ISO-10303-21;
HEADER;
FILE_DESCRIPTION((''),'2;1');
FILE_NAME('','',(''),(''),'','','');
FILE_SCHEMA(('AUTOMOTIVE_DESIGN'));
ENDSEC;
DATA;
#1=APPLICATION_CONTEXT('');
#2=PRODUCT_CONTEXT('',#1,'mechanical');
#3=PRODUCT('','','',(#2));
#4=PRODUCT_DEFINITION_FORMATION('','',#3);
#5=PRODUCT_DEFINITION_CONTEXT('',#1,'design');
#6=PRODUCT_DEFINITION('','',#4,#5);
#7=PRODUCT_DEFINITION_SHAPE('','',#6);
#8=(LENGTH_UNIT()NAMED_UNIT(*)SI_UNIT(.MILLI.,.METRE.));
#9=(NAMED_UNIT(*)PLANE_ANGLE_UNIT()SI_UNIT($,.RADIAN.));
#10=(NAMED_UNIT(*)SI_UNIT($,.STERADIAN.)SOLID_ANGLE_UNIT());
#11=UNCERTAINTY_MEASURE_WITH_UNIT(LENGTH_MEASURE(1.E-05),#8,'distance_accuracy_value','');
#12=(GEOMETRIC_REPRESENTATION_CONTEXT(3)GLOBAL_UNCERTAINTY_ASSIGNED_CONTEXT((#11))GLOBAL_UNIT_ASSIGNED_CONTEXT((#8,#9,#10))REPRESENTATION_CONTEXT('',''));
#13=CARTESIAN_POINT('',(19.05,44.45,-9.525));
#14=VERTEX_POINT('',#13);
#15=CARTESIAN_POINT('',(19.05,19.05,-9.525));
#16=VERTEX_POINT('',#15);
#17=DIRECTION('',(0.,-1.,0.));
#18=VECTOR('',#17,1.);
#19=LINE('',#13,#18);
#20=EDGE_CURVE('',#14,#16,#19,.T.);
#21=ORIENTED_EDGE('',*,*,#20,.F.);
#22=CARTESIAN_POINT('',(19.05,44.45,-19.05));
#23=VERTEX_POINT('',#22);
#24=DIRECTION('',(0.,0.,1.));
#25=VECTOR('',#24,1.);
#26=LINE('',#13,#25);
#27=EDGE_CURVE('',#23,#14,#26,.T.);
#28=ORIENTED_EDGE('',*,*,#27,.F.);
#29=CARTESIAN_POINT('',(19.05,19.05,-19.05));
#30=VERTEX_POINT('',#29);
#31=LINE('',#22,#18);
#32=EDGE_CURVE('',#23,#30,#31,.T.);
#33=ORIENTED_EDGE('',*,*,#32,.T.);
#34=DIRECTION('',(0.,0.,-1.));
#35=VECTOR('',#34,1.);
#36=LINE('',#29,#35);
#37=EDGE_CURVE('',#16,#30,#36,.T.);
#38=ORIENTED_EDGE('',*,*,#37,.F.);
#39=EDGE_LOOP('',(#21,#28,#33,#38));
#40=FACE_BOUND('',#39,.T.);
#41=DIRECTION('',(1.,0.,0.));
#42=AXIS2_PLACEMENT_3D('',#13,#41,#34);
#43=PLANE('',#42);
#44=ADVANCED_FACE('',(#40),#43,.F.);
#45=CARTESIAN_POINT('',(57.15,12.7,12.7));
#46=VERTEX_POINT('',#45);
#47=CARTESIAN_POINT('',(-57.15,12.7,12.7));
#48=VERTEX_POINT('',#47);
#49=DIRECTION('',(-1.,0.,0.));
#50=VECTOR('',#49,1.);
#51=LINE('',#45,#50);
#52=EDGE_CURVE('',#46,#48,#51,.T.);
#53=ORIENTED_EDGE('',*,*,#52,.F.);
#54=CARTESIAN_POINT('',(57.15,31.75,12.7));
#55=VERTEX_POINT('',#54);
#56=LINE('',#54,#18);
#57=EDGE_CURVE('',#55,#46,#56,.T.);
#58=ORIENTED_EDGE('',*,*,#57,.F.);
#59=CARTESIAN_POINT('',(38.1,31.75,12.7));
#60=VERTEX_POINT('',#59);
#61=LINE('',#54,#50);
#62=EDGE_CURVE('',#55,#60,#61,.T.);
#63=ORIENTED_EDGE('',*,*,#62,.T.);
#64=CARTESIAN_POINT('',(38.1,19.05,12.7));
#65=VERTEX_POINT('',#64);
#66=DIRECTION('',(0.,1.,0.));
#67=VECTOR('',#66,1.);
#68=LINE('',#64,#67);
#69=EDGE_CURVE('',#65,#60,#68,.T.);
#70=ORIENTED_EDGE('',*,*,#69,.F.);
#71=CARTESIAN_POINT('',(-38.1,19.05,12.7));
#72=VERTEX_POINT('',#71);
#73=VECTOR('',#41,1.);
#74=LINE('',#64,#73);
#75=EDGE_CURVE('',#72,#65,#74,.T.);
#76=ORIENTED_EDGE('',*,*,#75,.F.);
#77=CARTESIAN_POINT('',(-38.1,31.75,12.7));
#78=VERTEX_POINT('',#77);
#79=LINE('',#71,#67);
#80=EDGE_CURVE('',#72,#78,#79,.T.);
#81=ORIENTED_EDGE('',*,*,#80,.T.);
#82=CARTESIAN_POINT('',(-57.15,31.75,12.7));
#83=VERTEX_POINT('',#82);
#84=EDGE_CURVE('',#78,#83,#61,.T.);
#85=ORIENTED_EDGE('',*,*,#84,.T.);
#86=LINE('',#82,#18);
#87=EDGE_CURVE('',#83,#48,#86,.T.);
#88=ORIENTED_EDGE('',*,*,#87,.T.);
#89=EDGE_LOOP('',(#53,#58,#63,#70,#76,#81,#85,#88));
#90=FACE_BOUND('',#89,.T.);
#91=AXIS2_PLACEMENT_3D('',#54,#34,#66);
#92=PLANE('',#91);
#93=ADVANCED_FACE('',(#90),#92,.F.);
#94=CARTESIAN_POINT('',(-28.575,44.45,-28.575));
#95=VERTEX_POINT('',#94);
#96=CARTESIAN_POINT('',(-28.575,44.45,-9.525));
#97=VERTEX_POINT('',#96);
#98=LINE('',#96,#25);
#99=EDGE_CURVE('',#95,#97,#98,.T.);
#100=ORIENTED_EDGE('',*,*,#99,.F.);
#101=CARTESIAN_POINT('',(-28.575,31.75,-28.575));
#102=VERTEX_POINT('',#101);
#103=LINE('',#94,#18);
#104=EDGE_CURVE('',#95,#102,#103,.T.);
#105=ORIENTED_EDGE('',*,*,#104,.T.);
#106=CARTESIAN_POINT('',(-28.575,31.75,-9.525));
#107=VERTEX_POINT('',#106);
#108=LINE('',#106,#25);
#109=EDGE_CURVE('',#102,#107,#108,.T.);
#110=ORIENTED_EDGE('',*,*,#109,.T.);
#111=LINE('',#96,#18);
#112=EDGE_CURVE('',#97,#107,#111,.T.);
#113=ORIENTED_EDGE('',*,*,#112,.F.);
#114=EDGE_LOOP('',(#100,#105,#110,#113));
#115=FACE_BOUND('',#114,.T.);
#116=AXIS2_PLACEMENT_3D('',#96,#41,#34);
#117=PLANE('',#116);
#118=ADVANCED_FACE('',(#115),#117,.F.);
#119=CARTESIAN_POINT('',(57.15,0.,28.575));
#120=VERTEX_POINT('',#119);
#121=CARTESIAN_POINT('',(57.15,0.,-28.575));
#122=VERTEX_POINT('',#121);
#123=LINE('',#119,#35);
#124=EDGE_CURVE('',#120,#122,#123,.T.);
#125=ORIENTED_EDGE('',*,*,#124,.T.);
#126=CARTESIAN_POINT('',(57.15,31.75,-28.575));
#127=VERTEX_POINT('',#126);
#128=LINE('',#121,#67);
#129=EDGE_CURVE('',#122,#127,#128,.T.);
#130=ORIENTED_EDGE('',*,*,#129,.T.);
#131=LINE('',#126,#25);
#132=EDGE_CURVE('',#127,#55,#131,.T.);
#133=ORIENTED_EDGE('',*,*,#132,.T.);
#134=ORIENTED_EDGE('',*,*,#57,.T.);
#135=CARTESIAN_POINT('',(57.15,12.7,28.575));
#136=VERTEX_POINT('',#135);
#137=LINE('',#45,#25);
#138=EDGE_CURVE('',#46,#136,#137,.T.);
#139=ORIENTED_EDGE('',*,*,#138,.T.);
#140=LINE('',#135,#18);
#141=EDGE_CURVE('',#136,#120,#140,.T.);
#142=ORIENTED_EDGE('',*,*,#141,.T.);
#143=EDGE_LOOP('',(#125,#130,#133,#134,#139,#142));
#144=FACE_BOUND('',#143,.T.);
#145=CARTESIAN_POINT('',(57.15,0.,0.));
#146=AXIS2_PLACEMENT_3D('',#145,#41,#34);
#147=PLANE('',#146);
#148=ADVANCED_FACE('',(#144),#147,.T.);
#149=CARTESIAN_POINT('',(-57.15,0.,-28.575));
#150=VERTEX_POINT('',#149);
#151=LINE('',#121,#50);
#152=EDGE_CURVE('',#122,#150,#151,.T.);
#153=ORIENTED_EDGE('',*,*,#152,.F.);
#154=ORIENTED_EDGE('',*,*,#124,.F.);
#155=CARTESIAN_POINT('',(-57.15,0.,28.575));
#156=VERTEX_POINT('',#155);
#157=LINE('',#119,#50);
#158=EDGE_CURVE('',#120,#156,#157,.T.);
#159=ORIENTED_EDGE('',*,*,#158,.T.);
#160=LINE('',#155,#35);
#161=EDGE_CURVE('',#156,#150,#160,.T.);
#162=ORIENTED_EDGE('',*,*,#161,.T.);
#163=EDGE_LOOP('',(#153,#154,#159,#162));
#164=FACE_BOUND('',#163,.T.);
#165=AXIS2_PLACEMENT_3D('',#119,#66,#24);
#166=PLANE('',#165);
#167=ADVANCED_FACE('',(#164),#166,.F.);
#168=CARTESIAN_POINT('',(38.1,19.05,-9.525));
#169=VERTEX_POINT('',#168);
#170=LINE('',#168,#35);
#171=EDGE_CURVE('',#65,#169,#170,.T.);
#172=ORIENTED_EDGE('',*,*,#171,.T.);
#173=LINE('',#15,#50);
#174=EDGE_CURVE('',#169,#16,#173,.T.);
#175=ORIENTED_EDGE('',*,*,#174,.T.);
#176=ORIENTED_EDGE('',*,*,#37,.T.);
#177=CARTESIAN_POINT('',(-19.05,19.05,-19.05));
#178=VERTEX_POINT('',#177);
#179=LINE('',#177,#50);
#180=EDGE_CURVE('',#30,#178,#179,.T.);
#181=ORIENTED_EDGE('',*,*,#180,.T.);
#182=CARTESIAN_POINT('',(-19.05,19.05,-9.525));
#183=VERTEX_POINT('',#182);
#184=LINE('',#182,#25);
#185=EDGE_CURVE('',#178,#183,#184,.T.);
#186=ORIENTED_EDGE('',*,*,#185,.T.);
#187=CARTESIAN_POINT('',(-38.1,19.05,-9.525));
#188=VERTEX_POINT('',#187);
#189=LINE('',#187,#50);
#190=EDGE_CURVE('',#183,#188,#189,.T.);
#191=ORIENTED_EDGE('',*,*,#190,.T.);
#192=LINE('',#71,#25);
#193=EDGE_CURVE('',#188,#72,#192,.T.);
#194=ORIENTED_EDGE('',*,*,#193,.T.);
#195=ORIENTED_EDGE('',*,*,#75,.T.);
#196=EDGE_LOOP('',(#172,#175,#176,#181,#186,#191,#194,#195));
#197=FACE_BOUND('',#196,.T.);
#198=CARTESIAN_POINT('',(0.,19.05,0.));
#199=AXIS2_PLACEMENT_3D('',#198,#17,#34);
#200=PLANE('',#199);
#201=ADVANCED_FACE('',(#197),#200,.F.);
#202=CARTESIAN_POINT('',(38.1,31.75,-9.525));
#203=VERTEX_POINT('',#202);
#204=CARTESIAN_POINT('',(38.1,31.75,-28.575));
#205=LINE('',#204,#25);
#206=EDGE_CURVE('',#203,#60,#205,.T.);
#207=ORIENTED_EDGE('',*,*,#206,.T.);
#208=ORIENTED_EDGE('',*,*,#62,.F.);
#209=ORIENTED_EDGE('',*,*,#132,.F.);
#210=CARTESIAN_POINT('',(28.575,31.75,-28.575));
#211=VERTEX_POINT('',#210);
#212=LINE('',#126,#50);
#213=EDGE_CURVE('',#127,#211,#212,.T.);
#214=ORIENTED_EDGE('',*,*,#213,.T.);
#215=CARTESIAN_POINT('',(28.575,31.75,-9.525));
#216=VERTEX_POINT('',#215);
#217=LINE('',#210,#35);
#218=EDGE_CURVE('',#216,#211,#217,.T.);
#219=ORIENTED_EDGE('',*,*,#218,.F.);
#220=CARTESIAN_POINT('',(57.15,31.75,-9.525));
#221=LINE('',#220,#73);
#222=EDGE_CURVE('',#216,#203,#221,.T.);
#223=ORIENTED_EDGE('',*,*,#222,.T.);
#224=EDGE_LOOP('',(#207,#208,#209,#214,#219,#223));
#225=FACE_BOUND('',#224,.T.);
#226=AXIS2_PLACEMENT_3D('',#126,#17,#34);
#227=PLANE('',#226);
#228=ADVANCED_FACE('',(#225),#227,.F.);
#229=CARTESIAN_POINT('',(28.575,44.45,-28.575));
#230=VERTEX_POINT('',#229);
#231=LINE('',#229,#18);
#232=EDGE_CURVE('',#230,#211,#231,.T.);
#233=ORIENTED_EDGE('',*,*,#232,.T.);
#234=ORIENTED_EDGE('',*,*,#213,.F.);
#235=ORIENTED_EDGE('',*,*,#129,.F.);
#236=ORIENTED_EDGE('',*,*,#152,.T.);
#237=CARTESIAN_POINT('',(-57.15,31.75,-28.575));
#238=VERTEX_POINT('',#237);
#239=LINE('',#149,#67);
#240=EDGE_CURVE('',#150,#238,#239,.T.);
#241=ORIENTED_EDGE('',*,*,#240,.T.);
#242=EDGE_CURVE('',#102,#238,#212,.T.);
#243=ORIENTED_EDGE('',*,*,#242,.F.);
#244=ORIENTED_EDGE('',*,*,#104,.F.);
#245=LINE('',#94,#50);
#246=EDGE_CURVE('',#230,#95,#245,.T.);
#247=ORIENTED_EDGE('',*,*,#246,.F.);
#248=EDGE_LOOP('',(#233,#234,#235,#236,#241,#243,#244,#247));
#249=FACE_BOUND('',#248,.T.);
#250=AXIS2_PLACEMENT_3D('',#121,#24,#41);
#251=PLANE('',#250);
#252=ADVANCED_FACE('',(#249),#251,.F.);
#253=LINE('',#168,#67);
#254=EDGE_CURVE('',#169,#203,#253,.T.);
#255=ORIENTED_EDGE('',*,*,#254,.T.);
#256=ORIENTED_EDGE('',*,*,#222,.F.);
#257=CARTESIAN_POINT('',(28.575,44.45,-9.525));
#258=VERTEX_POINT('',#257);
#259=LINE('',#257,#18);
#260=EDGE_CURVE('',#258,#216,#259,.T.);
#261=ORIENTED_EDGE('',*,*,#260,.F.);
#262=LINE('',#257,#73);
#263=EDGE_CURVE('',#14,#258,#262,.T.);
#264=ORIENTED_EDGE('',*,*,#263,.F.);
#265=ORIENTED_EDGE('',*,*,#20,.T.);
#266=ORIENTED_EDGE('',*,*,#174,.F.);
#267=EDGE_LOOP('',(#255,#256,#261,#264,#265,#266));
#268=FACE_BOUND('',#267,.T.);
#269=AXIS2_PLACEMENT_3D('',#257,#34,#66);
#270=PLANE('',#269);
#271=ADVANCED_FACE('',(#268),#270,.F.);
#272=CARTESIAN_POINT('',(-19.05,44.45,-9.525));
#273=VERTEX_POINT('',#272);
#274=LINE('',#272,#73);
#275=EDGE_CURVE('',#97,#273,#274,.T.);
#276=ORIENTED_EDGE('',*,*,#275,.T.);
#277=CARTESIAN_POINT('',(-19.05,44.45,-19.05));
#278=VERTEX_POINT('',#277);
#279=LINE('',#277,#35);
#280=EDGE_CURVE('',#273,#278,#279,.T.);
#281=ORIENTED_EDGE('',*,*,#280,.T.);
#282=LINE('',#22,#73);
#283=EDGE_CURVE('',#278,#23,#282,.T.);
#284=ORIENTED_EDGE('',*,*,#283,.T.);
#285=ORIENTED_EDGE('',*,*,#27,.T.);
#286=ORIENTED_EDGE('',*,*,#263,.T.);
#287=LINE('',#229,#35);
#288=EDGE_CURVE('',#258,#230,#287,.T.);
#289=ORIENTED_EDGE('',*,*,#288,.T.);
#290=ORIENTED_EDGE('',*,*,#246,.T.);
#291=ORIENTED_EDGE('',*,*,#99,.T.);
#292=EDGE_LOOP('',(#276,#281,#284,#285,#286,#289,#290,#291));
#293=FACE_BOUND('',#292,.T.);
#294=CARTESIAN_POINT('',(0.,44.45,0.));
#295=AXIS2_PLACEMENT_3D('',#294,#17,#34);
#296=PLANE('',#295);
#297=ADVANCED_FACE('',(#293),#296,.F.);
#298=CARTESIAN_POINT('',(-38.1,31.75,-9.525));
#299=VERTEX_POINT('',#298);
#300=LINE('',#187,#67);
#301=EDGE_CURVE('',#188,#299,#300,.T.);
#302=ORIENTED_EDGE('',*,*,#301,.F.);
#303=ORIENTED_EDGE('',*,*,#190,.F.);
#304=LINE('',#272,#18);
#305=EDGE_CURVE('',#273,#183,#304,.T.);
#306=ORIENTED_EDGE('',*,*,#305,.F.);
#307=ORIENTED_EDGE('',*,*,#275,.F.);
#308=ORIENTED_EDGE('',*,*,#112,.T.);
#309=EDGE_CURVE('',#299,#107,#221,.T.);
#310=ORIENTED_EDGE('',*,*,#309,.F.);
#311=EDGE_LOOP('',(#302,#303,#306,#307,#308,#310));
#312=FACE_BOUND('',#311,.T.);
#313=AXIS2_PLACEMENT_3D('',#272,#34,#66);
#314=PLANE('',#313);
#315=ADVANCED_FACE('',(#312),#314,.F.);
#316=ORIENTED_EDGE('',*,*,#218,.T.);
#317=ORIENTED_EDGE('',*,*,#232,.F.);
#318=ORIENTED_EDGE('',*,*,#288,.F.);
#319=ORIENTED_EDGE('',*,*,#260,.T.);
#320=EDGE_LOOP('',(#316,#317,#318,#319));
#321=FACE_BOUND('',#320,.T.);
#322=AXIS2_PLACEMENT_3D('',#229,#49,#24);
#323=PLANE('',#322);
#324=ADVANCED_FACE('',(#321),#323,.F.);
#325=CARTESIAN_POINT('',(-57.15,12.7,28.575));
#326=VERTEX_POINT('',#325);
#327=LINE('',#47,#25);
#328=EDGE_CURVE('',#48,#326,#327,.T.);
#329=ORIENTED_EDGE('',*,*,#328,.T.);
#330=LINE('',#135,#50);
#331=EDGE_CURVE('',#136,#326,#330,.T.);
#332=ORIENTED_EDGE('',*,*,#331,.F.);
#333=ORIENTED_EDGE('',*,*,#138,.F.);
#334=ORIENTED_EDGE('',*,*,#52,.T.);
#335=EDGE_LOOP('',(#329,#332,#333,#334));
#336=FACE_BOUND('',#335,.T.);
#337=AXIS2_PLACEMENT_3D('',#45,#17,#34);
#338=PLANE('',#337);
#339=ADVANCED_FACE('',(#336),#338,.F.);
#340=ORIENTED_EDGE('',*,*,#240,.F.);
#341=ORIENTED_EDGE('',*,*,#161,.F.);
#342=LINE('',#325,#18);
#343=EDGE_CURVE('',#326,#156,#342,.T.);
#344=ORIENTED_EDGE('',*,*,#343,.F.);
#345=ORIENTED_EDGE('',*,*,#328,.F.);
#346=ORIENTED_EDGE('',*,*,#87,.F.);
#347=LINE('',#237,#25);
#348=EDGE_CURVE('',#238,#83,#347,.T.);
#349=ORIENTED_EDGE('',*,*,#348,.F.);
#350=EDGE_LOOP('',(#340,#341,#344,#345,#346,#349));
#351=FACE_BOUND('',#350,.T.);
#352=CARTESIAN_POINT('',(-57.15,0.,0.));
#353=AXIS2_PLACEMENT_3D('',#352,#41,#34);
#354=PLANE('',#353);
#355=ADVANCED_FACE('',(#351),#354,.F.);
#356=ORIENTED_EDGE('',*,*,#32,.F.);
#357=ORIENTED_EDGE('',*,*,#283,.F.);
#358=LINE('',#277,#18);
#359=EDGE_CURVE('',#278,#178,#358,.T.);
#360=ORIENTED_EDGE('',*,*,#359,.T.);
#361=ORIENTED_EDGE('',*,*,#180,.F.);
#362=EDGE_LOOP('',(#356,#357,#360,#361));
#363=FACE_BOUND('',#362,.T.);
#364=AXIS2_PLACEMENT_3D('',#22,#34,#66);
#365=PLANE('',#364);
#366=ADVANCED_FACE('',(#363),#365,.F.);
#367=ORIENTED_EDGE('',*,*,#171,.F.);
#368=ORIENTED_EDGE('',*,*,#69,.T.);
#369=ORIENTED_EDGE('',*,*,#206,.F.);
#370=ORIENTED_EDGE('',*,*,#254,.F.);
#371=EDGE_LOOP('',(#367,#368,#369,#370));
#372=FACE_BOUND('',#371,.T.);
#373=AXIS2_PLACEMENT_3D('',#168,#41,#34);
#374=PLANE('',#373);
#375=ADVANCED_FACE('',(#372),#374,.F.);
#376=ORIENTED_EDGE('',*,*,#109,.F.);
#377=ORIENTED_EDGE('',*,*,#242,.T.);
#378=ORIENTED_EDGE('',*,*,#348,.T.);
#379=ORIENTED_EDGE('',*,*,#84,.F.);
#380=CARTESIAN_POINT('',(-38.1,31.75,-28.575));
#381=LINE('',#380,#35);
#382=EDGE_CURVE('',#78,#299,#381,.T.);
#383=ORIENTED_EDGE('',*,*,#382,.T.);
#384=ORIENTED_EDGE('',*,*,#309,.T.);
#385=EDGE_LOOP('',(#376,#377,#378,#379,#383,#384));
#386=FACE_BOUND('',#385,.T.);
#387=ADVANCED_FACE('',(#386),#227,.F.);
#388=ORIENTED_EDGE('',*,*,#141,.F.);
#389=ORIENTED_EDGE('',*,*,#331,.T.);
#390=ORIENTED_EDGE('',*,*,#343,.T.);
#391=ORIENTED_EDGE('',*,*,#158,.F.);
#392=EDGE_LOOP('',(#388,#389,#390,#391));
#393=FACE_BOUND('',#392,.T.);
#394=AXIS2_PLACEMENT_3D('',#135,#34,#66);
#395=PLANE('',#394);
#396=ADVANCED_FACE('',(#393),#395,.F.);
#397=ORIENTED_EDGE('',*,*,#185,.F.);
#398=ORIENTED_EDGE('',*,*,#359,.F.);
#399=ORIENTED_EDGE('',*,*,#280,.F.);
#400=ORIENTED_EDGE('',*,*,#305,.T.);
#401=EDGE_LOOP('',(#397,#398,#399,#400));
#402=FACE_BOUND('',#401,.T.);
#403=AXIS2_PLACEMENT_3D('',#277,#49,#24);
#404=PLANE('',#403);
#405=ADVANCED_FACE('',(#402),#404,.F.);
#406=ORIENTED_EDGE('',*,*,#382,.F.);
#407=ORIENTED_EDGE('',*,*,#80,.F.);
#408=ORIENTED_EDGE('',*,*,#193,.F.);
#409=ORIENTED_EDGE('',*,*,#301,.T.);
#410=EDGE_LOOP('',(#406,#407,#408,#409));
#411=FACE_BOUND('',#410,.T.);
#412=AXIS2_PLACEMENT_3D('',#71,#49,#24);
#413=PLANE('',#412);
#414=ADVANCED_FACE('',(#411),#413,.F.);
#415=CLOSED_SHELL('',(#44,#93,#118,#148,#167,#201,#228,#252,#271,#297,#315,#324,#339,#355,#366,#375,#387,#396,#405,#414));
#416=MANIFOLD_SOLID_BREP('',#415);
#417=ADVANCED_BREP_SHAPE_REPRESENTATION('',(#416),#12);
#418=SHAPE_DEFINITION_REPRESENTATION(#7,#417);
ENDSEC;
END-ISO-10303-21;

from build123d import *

# Parameters (mm, degrees)
BOSS_EXTRUDE1_DEPTH = 57.15
BOSS_EXTRUDE2_DEPTH = 12.7
CUT_EXTRUDE1_DEPTH  = 25.4


with BuildPart() as part:
    # Sketch1 → Boss-Extrude1 (new body, symmetric)
    with BuildSketch(Plane(origin=(0, 0, 0), x_dir=(0, 0, -1), z_dir=(1, 0, 0))):
        Polygon((-28.575, 0), (28.575, 0), (28.575, 31.75), (-12.7, 31.75), (-12.7, 12.7), (-28.575, 12.7), align=None)
    extrude(amount=BOSS_EXTRUDE1_DEPTH, both=True)

    # Sketch2 → Boss-Extrude2 (add)
    with BuildSketch(Plane(origin=(0, 31.75, 0), x_dir=(1, 0, 0), z_dir=(0, 1, 0))):
        Polygon((-28.575, 28.575), (28.575, 28.575), (28.575, 9.525), (19.05, 9.525), (19.05, 19.05), (-19.05, 19.05), (-19.05, 9.525), (-28.575, 9.525), align=None)
    extrude(amount=BOSS_EXTRUDE2_DEPTH)

    # Sketch3 → Cut-Extrude1 (cut)
    with BuildSketch(Plane(origin=(0, 44.45, 0), x_dir=(1, 0, 0), z_dir=(0, 1, 0))):
        Polygon((-38.1, 9.525), (-19.05, 9.525), (-19.05, 19.05), (19.05, 19.05), (19.05, 9.525), (38.1, 9.525), (38.1, -12.7), (-38.1, -12.7), align=None)
    extrude(amount=-CUT_EXTRUDE1_DEPTH, mode=Mode.SUBTRACT)


solid = part.part
